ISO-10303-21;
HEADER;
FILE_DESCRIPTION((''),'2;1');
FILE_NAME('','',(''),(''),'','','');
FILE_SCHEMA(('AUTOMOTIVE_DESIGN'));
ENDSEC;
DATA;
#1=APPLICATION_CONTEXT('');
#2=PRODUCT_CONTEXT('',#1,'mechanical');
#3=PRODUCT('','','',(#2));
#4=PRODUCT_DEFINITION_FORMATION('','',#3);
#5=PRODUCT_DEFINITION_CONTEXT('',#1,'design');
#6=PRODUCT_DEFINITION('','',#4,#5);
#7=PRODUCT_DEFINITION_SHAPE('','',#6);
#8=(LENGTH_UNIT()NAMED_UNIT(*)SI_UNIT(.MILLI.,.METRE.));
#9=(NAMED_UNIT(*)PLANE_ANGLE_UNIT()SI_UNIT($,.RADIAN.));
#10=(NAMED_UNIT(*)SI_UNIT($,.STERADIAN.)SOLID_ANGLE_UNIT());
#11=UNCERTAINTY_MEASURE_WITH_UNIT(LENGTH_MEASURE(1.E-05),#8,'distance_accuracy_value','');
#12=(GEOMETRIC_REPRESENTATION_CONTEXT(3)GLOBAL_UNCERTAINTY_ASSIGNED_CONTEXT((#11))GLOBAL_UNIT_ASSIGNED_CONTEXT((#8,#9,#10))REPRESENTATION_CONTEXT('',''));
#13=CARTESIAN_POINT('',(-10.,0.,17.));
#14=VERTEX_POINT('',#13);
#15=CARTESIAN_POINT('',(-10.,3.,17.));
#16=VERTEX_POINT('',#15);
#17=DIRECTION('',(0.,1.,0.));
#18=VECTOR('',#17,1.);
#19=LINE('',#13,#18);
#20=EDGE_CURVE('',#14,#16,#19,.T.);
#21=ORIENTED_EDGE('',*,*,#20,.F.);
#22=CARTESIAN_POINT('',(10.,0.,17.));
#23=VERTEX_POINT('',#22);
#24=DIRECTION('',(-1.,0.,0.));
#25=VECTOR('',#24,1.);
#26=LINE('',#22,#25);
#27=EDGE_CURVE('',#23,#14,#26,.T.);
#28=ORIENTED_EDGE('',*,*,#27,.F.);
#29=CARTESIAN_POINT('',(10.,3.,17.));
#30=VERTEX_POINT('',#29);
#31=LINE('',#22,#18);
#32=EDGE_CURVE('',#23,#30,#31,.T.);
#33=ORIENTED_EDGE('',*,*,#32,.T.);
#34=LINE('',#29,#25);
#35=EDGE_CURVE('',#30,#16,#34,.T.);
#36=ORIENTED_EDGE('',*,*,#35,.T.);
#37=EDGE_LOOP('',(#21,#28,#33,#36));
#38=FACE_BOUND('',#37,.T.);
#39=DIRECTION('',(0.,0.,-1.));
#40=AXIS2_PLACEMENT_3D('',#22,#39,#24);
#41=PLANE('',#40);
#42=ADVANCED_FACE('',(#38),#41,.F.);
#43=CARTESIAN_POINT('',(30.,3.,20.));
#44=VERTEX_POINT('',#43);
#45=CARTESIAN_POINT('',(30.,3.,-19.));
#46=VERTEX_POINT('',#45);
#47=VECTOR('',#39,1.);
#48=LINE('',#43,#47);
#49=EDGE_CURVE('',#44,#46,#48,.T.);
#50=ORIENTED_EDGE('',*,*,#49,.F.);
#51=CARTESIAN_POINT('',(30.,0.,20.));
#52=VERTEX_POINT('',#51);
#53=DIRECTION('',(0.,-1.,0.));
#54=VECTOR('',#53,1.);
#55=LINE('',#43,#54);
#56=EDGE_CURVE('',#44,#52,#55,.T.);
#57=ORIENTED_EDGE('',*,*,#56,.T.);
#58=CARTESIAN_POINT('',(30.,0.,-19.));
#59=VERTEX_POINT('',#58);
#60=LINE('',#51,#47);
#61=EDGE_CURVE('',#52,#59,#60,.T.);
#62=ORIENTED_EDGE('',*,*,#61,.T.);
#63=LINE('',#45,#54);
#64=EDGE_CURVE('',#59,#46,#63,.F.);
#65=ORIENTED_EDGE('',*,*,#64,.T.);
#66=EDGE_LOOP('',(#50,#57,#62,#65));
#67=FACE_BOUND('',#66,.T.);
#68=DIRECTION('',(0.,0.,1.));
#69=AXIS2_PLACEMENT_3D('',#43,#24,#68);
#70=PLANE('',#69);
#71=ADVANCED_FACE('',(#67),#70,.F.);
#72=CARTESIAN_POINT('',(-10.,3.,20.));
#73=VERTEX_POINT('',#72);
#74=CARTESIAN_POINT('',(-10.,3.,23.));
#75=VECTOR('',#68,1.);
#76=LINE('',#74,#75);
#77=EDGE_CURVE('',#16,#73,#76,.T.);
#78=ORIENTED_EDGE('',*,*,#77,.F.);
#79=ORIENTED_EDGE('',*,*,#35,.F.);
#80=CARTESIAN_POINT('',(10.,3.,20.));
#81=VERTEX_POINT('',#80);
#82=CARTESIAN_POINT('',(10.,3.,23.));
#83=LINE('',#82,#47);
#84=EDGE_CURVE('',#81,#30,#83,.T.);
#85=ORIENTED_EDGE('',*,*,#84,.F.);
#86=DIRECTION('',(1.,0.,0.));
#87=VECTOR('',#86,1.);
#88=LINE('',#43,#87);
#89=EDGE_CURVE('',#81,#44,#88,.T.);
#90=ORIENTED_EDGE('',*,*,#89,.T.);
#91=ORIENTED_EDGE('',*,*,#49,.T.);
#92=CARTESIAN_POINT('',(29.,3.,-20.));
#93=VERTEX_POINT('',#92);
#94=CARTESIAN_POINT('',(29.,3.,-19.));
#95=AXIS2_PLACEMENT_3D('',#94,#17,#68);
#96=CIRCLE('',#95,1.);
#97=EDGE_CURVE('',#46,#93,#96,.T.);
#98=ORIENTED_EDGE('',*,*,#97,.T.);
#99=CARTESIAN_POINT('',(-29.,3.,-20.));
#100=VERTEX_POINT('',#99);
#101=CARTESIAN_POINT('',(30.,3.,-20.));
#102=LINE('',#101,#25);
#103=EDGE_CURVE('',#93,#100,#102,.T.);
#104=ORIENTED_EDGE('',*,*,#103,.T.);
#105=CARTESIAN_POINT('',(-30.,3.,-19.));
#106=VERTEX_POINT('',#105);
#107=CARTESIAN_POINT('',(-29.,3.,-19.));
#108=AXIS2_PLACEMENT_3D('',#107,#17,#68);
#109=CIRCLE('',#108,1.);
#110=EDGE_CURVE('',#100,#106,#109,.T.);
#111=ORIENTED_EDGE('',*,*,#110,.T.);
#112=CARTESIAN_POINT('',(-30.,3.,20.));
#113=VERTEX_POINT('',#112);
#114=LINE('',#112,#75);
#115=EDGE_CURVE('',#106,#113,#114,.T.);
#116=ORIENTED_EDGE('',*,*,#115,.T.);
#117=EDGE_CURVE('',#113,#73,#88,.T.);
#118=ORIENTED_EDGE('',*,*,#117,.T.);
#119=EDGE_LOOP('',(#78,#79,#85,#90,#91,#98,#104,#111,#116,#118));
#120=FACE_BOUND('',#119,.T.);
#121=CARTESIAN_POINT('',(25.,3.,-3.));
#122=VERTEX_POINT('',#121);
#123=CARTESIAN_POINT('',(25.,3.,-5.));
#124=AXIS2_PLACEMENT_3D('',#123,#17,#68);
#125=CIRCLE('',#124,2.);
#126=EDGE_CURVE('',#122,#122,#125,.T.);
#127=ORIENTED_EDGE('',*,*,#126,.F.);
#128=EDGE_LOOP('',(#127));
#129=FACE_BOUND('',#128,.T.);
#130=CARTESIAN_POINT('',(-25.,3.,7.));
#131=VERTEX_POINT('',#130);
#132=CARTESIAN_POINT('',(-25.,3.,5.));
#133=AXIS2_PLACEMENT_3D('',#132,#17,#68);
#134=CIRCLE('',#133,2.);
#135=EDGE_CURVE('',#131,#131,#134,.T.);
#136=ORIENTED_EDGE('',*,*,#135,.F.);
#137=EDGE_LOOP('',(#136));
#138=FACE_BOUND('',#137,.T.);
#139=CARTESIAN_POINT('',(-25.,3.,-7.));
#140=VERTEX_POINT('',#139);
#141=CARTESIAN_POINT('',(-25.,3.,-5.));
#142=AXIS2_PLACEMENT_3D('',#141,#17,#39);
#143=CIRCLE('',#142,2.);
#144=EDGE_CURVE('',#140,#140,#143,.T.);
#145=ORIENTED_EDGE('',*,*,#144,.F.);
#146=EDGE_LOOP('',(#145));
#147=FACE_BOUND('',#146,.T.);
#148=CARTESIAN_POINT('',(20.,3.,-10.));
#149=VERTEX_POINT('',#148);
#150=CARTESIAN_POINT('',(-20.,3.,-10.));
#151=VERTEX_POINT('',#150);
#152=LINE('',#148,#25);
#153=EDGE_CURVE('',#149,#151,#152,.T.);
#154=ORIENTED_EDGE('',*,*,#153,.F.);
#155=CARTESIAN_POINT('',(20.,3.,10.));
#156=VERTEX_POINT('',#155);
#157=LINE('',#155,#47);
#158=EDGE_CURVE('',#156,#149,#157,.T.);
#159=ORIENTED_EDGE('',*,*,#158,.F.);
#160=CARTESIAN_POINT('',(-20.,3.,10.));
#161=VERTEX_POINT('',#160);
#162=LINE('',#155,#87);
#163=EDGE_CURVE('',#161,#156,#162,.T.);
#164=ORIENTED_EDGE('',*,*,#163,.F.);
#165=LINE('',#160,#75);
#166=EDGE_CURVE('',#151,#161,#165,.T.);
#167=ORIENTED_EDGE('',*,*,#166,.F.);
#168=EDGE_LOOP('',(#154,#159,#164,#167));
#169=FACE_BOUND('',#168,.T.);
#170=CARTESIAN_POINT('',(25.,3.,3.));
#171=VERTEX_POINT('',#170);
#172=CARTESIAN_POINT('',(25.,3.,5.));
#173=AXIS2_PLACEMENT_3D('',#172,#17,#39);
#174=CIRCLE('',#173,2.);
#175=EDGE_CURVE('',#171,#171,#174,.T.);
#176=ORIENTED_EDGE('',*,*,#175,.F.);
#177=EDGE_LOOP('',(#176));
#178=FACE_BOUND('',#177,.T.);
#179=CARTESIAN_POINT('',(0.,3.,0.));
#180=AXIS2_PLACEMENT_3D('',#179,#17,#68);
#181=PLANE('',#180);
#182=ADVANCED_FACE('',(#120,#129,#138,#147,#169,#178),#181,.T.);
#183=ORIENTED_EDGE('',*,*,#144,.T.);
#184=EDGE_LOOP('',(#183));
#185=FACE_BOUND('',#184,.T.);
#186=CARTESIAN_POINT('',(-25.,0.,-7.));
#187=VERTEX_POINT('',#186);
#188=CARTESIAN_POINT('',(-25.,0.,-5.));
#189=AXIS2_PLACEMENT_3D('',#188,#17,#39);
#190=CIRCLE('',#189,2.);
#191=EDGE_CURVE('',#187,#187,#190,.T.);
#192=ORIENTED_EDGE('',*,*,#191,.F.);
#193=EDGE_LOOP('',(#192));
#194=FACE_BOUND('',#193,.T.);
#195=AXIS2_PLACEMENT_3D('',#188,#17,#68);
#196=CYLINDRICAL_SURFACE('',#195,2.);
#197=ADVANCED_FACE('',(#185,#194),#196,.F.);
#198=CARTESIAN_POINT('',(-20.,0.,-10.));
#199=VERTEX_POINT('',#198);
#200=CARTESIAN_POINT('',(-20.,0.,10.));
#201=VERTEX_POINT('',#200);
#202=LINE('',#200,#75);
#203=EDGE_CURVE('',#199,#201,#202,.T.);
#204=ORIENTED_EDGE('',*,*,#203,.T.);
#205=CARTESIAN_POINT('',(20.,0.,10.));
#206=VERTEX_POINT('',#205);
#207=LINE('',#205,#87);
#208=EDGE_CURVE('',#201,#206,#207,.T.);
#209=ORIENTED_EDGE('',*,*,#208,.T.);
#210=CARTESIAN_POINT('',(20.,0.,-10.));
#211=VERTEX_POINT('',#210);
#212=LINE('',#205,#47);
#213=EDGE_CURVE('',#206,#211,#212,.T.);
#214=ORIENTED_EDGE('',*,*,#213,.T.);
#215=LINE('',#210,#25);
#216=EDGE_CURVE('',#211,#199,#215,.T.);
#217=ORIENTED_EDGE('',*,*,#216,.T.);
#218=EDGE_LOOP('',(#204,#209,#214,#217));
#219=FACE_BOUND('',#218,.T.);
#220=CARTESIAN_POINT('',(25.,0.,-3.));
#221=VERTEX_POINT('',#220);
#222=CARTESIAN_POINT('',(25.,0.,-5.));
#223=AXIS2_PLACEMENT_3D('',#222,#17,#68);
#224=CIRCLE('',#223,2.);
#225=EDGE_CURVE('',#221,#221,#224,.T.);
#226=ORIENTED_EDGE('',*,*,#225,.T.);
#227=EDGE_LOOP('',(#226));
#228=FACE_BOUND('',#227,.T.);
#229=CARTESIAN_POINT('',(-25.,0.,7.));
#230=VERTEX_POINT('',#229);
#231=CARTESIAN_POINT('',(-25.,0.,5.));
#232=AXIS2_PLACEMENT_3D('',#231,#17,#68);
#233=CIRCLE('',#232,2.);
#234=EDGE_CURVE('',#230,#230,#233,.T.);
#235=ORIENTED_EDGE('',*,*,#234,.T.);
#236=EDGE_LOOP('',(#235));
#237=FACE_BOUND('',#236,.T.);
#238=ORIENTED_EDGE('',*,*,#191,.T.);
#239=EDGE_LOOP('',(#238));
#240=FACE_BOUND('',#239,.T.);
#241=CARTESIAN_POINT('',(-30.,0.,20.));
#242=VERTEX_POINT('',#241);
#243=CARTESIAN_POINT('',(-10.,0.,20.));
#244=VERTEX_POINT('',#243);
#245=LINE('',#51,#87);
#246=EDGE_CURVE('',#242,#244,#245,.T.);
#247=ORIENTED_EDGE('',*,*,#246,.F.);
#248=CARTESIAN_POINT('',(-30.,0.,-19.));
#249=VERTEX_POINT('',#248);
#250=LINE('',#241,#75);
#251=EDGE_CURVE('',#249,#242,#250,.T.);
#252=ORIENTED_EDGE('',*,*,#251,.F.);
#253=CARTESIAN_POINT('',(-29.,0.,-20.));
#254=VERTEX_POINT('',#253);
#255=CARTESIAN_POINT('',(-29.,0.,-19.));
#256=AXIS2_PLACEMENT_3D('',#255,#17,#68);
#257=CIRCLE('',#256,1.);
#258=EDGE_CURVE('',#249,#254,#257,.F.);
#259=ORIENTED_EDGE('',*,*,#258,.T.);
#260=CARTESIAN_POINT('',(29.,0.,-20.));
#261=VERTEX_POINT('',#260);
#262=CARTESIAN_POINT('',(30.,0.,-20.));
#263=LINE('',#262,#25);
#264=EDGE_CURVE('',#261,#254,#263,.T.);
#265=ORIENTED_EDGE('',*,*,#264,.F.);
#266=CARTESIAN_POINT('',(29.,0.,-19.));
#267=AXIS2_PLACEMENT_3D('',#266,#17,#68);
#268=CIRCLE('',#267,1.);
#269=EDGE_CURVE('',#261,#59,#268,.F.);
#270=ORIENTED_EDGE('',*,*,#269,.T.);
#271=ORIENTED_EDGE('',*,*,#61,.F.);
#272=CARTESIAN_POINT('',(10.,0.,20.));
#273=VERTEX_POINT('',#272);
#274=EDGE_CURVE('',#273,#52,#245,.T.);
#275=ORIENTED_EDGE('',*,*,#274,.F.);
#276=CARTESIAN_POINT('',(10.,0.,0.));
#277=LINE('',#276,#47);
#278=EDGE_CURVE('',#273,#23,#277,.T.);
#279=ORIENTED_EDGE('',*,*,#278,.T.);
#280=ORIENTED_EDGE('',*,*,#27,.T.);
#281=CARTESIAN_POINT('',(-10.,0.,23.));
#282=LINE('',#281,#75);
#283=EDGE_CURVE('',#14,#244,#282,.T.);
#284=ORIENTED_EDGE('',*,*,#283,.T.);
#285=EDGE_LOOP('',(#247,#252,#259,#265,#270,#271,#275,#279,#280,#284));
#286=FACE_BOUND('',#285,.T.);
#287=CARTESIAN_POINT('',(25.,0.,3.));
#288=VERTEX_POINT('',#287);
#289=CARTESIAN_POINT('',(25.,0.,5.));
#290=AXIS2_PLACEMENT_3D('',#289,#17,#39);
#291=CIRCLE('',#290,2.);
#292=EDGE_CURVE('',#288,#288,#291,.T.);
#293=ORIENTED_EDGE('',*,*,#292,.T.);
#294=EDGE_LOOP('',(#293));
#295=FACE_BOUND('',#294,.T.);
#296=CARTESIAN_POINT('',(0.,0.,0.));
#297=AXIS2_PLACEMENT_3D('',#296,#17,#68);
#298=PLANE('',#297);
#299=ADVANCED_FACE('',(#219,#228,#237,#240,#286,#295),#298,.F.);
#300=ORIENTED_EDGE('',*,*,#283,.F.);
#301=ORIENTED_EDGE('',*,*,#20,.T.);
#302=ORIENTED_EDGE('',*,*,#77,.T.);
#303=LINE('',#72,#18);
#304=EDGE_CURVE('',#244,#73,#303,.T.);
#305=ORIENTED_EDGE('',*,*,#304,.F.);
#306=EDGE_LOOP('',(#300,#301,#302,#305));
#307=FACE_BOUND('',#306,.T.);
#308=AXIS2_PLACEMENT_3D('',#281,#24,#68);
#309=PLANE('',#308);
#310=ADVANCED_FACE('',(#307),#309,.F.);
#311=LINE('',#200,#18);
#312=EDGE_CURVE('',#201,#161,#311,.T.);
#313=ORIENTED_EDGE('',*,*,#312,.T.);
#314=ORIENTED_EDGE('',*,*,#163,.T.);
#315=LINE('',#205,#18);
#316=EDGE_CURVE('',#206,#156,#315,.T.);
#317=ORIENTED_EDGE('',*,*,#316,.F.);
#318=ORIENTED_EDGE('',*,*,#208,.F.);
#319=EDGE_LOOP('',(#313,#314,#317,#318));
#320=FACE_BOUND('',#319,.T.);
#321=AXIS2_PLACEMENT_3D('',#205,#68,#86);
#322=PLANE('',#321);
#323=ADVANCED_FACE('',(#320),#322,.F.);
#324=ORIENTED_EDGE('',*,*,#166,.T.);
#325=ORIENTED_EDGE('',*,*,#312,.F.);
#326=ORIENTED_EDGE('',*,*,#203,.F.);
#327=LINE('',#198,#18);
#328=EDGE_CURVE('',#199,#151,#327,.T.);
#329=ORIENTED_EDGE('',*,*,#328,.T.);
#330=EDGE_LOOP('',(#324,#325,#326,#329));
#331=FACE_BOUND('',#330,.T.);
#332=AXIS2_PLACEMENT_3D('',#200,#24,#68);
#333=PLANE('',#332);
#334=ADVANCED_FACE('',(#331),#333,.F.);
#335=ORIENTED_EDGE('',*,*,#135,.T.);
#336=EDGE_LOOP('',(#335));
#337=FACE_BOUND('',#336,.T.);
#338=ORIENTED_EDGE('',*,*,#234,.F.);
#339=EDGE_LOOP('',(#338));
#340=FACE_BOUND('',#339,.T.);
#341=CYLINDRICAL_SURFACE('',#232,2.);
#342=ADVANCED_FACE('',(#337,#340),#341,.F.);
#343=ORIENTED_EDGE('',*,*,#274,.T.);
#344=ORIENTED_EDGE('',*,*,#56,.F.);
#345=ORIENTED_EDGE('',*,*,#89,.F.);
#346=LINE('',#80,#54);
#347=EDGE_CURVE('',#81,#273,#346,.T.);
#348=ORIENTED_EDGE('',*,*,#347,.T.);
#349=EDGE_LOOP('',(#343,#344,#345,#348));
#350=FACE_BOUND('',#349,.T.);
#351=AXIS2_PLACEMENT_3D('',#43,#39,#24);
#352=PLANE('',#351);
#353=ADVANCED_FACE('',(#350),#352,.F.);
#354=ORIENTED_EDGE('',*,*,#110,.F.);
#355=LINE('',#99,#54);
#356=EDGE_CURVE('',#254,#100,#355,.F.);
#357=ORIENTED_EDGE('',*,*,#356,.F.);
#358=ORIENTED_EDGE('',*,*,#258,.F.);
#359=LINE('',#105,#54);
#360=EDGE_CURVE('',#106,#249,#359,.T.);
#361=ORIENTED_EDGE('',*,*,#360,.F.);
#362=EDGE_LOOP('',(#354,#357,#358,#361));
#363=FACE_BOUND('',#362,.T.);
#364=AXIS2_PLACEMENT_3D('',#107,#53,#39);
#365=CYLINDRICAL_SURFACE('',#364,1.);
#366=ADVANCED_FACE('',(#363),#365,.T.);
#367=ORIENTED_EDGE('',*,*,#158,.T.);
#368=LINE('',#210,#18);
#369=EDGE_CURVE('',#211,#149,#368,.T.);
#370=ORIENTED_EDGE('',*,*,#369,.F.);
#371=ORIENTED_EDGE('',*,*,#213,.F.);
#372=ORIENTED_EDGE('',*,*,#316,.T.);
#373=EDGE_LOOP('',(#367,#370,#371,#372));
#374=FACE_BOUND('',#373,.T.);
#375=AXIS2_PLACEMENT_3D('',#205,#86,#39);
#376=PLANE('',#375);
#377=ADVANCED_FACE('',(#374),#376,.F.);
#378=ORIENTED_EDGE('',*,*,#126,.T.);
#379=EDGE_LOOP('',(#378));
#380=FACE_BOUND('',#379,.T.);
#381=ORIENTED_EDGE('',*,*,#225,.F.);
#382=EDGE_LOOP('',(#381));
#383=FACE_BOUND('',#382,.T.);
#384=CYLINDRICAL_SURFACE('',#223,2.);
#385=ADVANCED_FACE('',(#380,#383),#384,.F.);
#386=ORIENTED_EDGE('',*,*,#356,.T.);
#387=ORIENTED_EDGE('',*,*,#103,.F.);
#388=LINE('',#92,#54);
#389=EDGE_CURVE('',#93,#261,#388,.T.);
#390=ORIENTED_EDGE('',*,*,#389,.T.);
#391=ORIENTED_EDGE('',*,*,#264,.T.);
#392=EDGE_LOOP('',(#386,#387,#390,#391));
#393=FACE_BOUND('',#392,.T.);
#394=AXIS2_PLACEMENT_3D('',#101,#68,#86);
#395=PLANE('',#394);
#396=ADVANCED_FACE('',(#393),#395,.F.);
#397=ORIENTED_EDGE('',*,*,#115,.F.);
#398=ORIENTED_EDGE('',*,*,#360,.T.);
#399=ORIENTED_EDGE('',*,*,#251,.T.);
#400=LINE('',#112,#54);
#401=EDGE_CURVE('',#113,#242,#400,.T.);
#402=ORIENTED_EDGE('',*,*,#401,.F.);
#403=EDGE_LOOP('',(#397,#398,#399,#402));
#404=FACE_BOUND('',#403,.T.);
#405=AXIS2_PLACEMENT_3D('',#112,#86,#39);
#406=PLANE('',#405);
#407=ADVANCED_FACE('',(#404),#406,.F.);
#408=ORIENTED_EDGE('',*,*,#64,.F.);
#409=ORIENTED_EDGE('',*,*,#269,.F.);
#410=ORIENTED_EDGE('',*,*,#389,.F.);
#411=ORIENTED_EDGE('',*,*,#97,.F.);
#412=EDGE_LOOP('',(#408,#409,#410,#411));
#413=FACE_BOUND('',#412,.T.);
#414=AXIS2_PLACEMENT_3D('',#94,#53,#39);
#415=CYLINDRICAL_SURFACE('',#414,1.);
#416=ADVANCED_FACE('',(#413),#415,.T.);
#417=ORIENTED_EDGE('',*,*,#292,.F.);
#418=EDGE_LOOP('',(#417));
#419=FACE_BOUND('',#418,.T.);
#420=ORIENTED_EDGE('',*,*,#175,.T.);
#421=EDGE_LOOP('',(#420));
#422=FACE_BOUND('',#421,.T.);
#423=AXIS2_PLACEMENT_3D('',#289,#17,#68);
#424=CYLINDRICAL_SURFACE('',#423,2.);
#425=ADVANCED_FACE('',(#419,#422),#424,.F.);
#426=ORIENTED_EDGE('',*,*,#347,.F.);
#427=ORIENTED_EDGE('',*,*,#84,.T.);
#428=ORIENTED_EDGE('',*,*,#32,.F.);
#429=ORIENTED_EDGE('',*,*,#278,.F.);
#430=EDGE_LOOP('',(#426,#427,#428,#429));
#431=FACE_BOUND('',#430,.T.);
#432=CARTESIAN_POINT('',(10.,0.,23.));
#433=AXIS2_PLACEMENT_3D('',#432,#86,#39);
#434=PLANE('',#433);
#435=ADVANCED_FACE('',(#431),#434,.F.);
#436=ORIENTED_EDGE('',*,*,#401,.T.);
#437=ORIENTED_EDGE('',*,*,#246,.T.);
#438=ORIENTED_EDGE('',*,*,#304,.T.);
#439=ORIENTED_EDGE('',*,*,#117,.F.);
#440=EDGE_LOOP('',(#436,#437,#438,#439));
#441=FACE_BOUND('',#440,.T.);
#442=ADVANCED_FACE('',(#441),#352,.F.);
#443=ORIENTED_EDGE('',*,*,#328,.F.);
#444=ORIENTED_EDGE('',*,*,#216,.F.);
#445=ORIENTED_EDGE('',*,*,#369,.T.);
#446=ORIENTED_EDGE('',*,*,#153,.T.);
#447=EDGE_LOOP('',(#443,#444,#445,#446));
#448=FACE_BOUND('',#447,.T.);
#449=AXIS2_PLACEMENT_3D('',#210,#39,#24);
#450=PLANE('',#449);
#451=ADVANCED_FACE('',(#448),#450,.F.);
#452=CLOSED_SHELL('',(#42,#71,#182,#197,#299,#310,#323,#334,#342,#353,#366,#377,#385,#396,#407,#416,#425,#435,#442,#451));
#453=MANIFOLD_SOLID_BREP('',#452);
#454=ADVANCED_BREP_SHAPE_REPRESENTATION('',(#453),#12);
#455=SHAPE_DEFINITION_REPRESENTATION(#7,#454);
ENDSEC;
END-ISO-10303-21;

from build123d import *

# Parameters (mm, degrees)
SKETCH1_W           = 60
SKETCH1_H           = 40
BOSS_EXTRUDE1_DEPTH = 3
SKETCH2_W           = 40
SKETCH2_H           = 20
CUT_EXTRUDE1_DEPTH  = 3
SKETCH3_R           = 2
CUT_EXTRUDE2_DEPTH  = 3
FILLET2_R           = 1
SKETCH4_W           = 20
SKETCH4_H           = 6
CUT_EXTRUDE3_DEPTH  = 3


with BuildPart() as part:
    # Sketch1 → Boss-Extrude1 (new body)
    with BuildSketch(Plane(origin=(0, 0, 0), x_dir=(1, 0, 0), z_dir=(0, 1, 0))):
        Rectangle(SKETCH1_W, SKETCH1_H)
    extrude(amount=BOSS_EXTRUDE1_DEPTH)

    # Sketch2 → Cut-Extrude1 (cut)
    with BuildSketch(Plane(origin=(0, 3, 0), x_dir=(1, 0, 0), z_dir=(0, 1, 0))):
        Rectangle(SKETCH2_W, SKETCH2_H)
    extrude(amount=-CUT_EXTRUDE1_DEPTH, mode=Mode.SUBTRACT)

    # Sketch3 → Cut-Extrude2 (cut)
    with BuildSketch(Plane(origin=(0, 3, 0), x_dir=(1, 0, 0), z_dir=(0, 1, 0))):
        with Locations(Location((25, 5, 0), (0, 0, 270))):
            Circle(SKETCH3_R)
        with Locations(Location((25, -5, 0), (0, 0, 90))):
            Circle(SKETCH3_R)
        with Locations(Location((-25, -5, 0), (0, 0, 270))):
            Circle(SKETCH3_R)
        with Locations(Location((-25, 5, 0), (0, 0, 90))):
            Circle(SKETCH3_R)
    extrude(amount=-CUT_EXTRUDE2_DEPTH, mode=Mode.SUBTRACT)

    # Fillet2
    fillet2_edges = [part.edges().sort_by_distance(p)[0] for p in [
        (-30, 1.5, -20),
        (30, 1.5, -20),
    ]]
    fillet(fillet2_edges, radius=FILLET2_R)

    # Sketch4 → Cut-Extrude3 (cut)
    with BuildSketch(Plane(origin=(0, 3, 0), x_dir=(1, 0, 0), z_dir=(0, 1, 0))):
        with Locations((0, -20)):
            Rectangle(SKETCH4_W, SKETCH4_H)
    extrude(amount=-CUT_EXTRUDE3_DEPTH, mode=Mode.SUBTRACT)


solid = part.part
